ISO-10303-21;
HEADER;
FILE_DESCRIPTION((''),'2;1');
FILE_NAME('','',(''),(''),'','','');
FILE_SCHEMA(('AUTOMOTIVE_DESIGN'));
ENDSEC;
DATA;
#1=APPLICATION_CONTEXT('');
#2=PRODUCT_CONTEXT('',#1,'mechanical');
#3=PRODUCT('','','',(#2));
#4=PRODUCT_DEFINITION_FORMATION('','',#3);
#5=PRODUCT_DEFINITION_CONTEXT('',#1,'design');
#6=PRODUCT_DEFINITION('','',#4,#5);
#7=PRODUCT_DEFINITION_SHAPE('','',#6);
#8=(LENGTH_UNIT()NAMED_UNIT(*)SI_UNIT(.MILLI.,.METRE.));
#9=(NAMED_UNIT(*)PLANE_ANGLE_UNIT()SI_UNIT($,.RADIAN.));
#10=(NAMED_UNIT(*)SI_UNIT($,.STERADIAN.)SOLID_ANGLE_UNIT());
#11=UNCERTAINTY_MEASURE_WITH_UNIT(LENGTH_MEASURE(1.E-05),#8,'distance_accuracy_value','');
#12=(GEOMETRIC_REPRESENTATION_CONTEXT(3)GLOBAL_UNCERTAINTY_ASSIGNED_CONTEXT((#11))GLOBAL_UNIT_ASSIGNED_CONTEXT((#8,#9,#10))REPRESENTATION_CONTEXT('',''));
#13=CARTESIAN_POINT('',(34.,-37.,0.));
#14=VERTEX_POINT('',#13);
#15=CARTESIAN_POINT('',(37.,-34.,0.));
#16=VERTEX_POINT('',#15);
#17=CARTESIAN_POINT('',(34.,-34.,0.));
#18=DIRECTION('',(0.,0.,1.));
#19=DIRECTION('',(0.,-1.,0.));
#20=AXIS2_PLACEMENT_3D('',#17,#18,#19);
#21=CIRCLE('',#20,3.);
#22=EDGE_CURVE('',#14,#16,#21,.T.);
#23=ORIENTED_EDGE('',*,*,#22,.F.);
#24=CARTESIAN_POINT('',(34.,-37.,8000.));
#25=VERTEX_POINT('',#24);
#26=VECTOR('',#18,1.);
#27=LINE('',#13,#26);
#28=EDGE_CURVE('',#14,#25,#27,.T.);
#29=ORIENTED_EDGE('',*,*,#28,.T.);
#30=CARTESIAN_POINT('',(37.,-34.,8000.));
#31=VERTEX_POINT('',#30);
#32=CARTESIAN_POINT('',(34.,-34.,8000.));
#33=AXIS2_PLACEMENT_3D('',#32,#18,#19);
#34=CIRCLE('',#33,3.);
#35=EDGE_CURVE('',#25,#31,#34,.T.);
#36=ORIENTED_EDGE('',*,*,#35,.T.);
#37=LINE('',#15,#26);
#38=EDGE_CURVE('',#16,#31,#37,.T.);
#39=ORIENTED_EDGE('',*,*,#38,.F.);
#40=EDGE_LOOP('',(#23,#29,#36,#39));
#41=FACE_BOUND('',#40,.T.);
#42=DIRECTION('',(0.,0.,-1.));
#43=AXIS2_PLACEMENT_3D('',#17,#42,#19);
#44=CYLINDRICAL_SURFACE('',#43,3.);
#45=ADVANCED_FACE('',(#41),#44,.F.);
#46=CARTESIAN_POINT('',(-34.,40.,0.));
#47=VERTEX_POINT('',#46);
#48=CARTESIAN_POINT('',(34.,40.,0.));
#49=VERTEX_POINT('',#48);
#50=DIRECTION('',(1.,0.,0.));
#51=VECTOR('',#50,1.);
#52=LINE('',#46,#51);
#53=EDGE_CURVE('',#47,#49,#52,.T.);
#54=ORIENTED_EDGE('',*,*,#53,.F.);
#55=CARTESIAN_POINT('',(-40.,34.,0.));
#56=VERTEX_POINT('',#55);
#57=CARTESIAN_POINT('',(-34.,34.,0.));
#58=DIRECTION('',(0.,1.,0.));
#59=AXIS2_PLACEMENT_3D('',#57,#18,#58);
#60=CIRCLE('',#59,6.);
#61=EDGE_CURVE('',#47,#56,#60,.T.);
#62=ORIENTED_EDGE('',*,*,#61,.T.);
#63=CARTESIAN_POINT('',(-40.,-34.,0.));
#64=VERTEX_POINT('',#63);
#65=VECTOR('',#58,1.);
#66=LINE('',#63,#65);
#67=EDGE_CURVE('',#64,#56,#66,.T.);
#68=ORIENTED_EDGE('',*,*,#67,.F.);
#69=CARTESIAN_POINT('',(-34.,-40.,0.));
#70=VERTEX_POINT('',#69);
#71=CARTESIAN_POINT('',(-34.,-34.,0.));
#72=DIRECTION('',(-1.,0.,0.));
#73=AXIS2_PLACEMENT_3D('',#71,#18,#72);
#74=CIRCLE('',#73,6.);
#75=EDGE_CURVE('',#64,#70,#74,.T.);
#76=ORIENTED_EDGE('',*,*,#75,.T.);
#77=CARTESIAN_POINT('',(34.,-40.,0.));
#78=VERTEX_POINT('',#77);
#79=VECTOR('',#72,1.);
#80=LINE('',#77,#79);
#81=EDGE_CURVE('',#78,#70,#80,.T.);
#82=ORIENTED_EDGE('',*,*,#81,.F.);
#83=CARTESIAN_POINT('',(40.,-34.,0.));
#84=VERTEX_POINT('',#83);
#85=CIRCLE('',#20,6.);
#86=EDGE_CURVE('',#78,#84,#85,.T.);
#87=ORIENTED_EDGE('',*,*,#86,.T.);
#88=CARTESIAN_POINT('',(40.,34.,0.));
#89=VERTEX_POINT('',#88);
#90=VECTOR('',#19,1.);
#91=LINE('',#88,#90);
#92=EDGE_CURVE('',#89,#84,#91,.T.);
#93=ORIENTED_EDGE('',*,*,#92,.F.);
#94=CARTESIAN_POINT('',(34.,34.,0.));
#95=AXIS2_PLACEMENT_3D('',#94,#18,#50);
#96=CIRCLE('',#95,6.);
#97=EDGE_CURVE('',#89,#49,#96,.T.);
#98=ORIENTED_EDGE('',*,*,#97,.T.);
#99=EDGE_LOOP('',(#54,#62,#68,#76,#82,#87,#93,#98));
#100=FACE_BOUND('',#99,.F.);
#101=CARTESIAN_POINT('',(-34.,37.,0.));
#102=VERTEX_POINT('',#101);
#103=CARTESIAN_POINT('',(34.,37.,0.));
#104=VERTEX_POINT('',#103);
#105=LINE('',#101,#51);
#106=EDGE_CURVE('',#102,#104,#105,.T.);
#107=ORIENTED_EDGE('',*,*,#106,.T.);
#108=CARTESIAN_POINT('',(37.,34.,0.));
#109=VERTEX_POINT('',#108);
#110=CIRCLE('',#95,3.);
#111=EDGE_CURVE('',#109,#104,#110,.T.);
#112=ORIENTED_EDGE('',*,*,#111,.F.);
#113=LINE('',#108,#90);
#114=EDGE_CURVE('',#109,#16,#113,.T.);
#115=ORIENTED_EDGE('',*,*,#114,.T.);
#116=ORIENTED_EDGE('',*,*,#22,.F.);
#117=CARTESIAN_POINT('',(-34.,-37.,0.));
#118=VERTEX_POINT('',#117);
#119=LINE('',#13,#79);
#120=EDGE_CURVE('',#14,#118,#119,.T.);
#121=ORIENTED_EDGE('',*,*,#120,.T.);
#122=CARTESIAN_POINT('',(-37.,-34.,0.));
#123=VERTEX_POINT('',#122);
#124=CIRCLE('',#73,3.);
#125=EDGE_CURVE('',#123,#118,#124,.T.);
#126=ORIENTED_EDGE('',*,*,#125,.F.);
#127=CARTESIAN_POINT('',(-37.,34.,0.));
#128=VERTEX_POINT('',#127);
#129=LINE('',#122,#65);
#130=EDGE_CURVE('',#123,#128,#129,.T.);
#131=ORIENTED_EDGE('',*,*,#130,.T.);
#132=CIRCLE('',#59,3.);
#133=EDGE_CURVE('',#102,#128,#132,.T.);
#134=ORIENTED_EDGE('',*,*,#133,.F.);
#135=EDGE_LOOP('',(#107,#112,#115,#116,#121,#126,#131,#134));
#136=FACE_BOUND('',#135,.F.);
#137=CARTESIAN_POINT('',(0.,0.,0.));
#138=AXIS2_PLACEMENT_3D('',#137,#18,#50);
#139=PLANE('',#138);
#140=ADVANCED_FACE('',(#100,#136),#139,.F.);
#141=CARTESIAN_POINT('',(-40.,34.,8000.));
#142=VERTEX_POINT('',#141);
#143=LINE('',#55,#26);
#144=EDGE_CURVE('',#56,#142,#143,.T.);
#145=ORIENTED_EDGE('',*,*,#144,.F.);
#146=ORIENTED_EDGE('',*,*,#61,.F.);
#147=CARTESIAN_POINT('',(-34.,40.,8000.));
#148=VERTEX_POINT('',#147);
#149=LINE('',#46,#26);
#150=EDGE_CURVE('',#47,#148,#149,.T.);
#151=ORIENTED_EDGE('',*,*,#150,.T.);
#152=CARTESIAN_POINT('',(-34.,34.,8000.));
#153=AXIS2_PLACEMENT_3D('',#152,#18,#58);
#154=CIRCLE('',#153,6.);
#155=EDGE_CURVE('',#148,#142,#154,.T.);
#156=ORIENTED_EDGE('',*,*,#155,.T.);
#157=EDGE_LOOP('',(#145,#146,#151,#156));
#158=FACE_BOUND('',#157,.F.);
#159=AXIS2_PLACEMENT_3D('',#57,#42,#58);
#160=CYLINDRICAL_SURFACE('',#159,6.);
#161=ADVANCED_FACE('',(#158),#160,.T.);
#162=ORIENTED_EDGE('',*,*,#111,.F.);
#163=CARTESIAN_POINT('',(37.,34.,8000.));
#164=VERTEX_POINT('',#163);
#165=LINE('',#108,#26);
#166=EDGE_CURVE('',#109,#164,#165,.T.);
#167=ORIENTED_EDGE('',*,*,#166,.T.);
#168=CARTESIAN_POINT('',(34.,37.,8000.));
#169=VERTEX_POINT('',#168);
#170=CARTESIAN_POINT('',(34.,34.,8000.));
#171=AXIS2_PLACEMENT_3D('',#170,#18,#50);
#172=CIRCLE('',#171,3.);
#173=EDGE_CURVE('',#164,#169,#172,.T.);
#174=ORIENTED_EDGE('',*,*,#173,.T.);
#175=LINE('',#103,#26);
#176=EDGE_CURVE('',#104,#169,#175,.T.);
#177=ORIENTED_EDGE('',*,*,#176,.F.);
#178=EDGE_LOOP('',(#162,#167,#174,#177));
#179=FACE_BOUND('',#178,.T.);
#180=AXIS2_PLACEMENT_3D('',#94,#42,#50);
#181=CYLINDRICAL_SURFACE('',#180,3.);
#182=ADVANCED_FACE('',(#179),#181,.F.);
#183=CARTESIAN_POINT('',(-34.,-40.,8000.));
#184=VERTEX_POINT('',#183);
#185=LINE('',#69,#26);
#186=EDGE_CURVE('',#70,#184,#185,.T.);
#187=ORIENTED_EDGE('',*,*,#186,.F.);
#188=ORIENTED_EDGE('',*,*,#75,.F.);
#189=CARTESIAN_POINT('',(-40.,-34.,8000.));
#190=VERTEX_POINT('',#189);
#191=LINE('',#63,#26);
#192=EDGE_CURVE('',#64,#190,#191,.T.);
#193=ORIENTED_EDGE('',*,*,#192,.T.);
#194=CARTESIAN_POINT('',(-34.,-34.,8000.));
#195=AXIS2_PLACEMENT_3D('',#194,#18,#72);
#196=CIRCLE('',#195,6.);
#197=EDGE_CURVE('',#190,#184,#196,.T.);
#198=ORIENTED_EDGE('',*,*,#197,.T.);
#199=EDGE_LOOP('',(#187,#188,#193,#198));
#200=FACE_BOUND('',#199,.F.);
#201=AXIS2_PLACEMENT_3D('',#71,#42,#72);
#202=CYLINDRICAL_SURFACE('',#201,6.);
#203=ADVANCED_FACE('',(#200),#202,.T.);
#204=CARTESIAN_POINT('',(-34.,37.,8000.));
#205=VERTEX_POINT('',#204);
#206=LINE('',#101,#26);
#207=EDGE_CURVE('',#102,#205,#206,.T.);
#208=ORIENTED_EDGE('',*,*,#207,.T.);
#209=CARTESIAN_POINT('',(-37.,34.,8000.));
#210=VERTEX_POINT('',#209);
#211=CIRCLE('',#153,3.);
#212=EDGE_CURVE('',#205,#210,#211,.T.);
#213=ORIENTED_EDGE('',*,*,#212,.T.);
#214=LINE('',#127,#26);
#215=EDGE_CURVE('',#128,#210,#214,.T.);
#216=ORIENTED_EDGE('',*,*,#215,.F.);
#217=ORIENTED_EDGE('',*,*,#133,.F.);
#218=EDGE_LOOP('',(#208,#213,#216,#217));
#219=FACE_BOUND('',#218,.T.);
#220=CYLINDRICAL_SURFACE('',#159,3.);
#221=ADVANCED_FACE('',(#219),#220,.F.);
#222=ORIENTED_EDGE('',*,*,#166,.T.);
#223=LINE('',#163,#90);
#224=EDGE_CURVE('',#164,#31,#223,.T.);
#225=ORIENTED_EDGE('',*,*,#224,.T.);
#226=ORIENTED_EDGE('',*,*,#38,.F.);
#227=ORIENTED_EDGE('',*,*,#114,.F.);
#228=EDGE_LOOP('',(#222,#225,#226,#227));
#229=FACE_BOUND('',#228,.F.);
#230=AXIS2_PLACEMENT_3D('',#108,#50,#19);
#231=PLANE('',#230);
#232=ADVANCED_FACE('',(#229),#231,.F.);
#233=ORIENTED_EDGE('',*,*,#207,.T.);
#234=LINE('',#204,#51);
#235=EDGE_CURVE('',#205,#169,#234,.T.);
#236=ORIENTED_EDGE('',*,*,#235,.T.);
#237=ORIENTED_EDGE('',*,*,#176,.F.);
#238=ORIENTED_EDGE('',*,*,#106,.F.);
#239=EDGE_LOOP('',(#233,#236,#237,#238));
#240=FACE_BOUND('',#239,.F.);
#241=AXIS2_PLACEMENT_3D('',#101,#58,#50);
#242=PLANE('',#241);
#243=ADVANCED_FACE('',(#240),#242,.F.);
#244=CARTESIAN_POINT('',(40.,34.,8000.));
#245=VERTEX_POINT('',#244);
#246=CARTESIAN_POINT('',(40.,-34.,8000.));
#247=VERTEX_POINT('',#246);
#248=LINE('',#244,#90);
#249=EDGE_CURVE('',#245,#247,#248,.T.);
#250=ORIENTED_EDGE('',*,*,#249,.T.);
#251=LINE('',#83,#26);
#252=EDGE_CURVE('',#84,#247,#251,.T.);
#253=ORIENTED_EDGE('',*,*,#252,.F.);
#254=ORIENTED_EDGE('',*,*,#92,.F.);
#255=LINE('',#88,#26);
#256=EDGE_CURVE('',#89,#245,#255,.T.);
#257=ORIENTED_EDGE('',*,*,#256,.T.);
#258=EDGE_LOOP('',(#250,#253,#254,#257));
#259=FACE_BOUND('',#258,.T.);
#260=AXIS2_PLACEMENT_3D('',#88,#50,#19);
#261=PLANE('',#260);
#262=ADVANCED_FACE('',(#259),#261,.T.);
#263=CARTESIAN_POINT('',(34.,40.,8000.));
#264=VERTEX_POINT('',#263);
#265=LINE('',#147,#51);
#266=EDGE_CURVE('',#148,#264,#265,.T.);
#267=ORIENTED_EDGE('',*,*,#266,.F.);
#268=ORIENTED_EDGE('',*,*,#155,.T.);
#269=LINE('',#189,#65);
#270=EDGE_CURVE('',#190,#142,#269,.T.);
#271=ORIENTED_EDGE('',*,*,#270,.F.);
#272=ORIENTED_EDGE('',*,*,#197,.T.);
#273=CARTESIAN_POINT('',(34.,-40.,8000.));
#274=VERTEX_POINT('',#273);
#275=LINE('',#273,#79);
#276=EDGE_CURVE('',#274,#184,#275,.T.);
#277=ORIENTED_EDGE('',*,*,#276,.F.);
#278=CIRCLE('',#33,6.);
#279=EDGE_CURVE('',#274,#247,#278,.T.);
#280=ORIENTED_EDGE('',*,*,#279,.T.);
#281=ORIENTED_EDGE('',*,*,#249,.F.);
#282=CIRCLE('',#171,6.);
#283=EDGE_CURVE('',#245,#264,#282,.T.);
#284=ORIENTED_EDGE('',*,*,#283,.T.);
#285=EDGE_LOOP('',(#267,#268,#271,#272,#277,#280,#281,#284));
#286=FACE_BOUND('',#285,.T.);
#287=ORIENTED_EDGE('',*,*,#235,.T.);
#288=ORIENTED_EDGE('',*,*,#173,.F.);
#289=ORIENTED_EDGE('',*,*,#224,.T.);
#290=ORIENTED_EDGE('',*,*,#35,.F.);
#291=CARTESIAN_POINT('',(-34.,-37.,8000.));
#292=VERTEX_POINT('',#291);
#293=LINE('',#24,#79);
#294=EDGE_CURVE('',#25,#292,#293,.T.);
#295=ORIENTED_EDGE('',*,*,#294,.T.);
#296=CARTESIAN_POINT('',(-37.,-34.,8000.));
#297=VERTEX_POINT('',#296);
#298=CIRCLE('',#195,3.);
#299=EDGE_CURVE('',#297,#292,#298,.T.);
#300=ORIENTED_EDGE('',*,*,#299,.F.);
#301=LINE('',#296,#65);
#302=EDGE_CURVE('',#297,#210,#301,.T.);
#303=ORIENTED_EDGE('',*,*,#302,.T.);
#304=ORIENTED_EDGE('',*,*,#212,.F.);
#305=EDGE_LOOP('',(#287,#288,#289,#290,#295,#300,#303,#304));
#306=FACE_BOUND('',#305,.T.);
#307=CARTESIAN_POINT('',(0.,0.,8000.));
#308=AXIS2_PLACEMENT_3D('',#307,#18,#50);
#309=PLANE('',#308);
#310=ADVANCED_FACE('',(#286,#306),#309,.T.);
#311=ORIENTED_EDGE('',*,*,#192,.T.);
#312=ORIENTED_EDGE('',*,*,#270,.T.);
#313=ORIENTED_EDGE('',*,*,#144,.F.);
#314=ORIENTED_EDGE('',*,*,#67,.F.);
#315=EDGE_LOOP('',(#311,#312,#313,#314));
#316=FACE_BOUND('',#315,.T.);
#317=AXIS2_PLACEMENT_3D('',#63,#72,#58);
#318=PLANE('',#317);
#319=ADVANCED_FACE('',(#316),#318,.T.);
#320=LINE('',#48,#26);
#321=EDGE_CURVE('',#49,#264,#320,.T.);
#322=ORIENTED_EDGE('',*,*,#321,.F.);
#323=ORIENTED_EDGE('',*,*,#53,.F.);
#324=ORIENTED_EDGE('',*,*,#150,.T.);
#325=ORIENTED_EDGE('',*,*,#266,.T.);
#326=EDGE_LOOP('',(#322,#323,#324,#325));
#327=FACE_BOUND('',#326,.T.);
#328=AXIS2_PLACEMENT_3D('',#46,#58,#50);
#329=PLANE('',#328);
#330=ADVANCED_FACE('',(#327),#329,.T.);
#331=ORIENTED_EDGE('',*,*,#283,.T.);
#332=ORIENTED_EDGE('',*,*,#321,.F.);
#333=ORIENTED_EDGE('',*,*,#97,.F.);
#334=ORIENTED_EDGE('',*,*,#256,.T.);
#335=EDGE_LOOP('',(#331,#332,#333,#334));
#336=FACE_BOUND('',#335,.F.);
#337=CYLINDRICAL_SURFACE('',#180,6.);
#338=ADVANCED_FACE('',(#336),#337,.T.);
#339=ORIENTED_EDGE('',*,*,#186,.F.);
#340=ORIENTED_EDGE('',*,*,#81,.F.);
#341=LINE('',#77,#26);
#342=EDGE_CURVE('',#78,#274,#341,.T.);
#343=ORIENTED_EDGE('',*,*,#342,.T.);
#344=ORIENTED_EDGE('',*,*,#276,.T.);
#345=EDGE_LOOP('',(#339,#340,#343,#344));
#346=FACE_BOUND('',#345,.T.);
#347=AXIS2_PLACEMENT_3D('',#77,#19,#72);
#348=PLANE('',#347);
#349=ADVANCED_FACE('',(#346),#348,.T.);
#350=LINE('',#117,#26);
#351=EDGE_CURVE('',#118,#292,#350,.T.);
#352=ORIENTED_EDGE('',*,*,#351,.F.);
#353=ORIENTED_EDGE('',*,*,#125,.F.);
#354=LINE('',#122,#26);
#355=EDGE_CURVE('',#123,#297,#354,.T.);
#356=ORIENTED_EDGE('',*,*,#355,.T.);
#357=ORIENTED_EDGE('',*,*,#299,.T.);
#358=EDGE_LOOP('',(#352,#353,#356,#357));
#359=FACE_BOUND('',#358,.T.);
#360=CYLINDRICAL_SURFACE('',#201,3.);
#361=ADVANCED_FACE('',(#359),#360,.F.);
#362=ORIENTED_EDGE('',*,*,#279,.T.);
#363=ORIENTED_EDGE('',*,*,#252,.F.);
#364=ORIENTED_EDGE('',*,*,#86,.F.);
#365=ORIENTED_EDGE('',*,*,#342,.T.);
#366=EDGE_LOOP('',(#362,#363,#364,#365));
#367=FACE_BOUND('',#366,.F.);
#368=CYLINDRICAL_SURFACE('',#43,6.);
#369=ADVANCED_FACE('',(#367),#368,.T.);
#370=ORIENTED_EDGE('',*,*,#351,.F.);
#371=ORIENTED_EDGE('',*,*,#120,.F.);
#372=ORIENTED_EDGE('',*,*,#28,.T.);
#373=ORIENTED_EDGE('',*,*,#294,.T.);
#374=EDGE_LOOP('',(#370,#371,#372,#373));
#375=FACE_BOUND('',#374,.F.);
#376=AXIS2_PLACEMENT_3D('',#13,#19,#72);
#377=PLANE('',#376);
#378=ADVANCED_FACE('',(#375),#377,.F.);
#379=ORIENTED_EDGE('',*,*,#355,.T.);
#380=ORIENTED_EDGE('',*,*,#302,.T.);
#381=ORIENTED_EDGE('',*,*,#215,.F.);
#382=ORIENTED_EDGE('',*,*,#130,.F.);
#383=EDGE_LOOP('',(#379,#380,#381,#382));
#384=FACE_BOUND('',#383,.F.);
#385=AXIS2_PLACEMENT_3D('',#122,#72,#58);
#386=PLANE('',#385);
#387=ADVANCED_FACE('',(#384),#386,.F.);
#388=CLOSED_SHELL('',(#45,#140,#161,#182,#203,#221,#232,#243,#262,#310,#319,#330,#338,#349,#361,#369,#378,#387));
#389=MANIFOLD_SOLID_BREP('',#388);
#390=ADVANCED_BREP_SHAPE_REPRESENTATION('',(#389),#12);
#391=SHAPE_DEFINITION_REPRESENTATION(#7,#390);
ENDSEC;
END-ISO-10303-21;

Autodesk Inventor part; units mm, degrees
ref_plane "YZ Plane" through (0, 0, 0) normal (1, 0, 0) x (0, 1, 0)
ref_plane "Start Plane" through (0, 0, 0) normal (0, 0, 1) x (1, 0, 0)
ref_plane "End Plane" through (0, 0, 8000) normal (0, 0, 1) x (1, 0, 0)
sketch "Sketch" plane through (0, 0, 0) normal (0, 0, 1) x (1, 0, 0)
  line L0 (-40, -34) -> (-40, 34)
  line L1 (-34, 40) -> (34, 40)
  line L2 (40, 34) -> (40, -34)
  line L3 (34, -40) -> (-34, -40)
  arc A0 (-40, -34) -> (-34, -40) centre (-34, -34) ccw
  arc A1 (40, 34) -> (34, 40) centre (34, 34) ccw
  arc A2 (-34, 40) -> (-40, 34) centre (-34, 34) ccw
  arc A3 (34, -40) -> (40, -34) centre (34, -34) ccw
  arc A4 (-34, 37) -> (-37, 34) centre (-34, 34) ccw
  line L4 (-34, 37) -> (34, 37)
  arc A5 (37, 34) -> (34, 37) centre (34, 34) ccw
  line L5 (37, 34) -> (37, -34)
  arc A6 (34, -37) -> (37, -34) centre (34, -34) ccw
  line L6 (34, -37) -> (-34, -37)
  arc A7 (-37, -34) -> (-34, -37) centre (-34, -34) ccw
  line L7 (-37, -34) -> (-37, 34)
  line L8 (0, 57.7397) -> (0, -57.7397) construction
  line L9 (-57.7397, 0) -> (57.7397, 0) construction
  dimension "d7" = 6
  dimension "d9" = 80
  dimension "d11" = 80
  dimension "d12" = 3
  dimension "d15" = 40
  dimension "d16" = 40
extrude "Body" add sketch "Sketch" along normal up to surface (8000 mm away) from surface at 0
sketch "Sketch3" plane through (0, 0, 0) normal (0, 0, 1) x (1, 0, 0)
  line L0 (0, 0) -> (10, 0)
ref_plane "Work Plane3" through (0, 0, 0) normal (0, -1, 0) x (1, 0, 0)
sketch "Sketch4" plane through (0, 0, 0) normal (0, -1, 0) x (1, 0, 0)
  line L0 (-2, 0) -> (12, 0) projected
  line L1 (-2, 8000) -> (12, 8000) projected
  dimension "d18" = 8000
equation "\"d7\" = G_IR"
equation "\"d9\" = G_W"
equation "\"d11\" = G_H"
equation "\"d12\" = G_T"
equation "\"d15\" = 0.5 * d9"
equation "\"d16\" = 0.5 * d11"
equation "\"d3\" = G_L"
equation "\"G_W\" = 80"
equation "\"G_H\" = 80"
equation "\"G_T\" = 3"
equation "\"G_IR\" = 6"
equation "\"G_L\" = d18"
equation "\"G_OFFSET_START\" = 0"
equation "\"G_OFFSET_END\" = 0"
properties part number "ISO 4019 - 80x80x3 - 8000" material "Steel, Mild"
